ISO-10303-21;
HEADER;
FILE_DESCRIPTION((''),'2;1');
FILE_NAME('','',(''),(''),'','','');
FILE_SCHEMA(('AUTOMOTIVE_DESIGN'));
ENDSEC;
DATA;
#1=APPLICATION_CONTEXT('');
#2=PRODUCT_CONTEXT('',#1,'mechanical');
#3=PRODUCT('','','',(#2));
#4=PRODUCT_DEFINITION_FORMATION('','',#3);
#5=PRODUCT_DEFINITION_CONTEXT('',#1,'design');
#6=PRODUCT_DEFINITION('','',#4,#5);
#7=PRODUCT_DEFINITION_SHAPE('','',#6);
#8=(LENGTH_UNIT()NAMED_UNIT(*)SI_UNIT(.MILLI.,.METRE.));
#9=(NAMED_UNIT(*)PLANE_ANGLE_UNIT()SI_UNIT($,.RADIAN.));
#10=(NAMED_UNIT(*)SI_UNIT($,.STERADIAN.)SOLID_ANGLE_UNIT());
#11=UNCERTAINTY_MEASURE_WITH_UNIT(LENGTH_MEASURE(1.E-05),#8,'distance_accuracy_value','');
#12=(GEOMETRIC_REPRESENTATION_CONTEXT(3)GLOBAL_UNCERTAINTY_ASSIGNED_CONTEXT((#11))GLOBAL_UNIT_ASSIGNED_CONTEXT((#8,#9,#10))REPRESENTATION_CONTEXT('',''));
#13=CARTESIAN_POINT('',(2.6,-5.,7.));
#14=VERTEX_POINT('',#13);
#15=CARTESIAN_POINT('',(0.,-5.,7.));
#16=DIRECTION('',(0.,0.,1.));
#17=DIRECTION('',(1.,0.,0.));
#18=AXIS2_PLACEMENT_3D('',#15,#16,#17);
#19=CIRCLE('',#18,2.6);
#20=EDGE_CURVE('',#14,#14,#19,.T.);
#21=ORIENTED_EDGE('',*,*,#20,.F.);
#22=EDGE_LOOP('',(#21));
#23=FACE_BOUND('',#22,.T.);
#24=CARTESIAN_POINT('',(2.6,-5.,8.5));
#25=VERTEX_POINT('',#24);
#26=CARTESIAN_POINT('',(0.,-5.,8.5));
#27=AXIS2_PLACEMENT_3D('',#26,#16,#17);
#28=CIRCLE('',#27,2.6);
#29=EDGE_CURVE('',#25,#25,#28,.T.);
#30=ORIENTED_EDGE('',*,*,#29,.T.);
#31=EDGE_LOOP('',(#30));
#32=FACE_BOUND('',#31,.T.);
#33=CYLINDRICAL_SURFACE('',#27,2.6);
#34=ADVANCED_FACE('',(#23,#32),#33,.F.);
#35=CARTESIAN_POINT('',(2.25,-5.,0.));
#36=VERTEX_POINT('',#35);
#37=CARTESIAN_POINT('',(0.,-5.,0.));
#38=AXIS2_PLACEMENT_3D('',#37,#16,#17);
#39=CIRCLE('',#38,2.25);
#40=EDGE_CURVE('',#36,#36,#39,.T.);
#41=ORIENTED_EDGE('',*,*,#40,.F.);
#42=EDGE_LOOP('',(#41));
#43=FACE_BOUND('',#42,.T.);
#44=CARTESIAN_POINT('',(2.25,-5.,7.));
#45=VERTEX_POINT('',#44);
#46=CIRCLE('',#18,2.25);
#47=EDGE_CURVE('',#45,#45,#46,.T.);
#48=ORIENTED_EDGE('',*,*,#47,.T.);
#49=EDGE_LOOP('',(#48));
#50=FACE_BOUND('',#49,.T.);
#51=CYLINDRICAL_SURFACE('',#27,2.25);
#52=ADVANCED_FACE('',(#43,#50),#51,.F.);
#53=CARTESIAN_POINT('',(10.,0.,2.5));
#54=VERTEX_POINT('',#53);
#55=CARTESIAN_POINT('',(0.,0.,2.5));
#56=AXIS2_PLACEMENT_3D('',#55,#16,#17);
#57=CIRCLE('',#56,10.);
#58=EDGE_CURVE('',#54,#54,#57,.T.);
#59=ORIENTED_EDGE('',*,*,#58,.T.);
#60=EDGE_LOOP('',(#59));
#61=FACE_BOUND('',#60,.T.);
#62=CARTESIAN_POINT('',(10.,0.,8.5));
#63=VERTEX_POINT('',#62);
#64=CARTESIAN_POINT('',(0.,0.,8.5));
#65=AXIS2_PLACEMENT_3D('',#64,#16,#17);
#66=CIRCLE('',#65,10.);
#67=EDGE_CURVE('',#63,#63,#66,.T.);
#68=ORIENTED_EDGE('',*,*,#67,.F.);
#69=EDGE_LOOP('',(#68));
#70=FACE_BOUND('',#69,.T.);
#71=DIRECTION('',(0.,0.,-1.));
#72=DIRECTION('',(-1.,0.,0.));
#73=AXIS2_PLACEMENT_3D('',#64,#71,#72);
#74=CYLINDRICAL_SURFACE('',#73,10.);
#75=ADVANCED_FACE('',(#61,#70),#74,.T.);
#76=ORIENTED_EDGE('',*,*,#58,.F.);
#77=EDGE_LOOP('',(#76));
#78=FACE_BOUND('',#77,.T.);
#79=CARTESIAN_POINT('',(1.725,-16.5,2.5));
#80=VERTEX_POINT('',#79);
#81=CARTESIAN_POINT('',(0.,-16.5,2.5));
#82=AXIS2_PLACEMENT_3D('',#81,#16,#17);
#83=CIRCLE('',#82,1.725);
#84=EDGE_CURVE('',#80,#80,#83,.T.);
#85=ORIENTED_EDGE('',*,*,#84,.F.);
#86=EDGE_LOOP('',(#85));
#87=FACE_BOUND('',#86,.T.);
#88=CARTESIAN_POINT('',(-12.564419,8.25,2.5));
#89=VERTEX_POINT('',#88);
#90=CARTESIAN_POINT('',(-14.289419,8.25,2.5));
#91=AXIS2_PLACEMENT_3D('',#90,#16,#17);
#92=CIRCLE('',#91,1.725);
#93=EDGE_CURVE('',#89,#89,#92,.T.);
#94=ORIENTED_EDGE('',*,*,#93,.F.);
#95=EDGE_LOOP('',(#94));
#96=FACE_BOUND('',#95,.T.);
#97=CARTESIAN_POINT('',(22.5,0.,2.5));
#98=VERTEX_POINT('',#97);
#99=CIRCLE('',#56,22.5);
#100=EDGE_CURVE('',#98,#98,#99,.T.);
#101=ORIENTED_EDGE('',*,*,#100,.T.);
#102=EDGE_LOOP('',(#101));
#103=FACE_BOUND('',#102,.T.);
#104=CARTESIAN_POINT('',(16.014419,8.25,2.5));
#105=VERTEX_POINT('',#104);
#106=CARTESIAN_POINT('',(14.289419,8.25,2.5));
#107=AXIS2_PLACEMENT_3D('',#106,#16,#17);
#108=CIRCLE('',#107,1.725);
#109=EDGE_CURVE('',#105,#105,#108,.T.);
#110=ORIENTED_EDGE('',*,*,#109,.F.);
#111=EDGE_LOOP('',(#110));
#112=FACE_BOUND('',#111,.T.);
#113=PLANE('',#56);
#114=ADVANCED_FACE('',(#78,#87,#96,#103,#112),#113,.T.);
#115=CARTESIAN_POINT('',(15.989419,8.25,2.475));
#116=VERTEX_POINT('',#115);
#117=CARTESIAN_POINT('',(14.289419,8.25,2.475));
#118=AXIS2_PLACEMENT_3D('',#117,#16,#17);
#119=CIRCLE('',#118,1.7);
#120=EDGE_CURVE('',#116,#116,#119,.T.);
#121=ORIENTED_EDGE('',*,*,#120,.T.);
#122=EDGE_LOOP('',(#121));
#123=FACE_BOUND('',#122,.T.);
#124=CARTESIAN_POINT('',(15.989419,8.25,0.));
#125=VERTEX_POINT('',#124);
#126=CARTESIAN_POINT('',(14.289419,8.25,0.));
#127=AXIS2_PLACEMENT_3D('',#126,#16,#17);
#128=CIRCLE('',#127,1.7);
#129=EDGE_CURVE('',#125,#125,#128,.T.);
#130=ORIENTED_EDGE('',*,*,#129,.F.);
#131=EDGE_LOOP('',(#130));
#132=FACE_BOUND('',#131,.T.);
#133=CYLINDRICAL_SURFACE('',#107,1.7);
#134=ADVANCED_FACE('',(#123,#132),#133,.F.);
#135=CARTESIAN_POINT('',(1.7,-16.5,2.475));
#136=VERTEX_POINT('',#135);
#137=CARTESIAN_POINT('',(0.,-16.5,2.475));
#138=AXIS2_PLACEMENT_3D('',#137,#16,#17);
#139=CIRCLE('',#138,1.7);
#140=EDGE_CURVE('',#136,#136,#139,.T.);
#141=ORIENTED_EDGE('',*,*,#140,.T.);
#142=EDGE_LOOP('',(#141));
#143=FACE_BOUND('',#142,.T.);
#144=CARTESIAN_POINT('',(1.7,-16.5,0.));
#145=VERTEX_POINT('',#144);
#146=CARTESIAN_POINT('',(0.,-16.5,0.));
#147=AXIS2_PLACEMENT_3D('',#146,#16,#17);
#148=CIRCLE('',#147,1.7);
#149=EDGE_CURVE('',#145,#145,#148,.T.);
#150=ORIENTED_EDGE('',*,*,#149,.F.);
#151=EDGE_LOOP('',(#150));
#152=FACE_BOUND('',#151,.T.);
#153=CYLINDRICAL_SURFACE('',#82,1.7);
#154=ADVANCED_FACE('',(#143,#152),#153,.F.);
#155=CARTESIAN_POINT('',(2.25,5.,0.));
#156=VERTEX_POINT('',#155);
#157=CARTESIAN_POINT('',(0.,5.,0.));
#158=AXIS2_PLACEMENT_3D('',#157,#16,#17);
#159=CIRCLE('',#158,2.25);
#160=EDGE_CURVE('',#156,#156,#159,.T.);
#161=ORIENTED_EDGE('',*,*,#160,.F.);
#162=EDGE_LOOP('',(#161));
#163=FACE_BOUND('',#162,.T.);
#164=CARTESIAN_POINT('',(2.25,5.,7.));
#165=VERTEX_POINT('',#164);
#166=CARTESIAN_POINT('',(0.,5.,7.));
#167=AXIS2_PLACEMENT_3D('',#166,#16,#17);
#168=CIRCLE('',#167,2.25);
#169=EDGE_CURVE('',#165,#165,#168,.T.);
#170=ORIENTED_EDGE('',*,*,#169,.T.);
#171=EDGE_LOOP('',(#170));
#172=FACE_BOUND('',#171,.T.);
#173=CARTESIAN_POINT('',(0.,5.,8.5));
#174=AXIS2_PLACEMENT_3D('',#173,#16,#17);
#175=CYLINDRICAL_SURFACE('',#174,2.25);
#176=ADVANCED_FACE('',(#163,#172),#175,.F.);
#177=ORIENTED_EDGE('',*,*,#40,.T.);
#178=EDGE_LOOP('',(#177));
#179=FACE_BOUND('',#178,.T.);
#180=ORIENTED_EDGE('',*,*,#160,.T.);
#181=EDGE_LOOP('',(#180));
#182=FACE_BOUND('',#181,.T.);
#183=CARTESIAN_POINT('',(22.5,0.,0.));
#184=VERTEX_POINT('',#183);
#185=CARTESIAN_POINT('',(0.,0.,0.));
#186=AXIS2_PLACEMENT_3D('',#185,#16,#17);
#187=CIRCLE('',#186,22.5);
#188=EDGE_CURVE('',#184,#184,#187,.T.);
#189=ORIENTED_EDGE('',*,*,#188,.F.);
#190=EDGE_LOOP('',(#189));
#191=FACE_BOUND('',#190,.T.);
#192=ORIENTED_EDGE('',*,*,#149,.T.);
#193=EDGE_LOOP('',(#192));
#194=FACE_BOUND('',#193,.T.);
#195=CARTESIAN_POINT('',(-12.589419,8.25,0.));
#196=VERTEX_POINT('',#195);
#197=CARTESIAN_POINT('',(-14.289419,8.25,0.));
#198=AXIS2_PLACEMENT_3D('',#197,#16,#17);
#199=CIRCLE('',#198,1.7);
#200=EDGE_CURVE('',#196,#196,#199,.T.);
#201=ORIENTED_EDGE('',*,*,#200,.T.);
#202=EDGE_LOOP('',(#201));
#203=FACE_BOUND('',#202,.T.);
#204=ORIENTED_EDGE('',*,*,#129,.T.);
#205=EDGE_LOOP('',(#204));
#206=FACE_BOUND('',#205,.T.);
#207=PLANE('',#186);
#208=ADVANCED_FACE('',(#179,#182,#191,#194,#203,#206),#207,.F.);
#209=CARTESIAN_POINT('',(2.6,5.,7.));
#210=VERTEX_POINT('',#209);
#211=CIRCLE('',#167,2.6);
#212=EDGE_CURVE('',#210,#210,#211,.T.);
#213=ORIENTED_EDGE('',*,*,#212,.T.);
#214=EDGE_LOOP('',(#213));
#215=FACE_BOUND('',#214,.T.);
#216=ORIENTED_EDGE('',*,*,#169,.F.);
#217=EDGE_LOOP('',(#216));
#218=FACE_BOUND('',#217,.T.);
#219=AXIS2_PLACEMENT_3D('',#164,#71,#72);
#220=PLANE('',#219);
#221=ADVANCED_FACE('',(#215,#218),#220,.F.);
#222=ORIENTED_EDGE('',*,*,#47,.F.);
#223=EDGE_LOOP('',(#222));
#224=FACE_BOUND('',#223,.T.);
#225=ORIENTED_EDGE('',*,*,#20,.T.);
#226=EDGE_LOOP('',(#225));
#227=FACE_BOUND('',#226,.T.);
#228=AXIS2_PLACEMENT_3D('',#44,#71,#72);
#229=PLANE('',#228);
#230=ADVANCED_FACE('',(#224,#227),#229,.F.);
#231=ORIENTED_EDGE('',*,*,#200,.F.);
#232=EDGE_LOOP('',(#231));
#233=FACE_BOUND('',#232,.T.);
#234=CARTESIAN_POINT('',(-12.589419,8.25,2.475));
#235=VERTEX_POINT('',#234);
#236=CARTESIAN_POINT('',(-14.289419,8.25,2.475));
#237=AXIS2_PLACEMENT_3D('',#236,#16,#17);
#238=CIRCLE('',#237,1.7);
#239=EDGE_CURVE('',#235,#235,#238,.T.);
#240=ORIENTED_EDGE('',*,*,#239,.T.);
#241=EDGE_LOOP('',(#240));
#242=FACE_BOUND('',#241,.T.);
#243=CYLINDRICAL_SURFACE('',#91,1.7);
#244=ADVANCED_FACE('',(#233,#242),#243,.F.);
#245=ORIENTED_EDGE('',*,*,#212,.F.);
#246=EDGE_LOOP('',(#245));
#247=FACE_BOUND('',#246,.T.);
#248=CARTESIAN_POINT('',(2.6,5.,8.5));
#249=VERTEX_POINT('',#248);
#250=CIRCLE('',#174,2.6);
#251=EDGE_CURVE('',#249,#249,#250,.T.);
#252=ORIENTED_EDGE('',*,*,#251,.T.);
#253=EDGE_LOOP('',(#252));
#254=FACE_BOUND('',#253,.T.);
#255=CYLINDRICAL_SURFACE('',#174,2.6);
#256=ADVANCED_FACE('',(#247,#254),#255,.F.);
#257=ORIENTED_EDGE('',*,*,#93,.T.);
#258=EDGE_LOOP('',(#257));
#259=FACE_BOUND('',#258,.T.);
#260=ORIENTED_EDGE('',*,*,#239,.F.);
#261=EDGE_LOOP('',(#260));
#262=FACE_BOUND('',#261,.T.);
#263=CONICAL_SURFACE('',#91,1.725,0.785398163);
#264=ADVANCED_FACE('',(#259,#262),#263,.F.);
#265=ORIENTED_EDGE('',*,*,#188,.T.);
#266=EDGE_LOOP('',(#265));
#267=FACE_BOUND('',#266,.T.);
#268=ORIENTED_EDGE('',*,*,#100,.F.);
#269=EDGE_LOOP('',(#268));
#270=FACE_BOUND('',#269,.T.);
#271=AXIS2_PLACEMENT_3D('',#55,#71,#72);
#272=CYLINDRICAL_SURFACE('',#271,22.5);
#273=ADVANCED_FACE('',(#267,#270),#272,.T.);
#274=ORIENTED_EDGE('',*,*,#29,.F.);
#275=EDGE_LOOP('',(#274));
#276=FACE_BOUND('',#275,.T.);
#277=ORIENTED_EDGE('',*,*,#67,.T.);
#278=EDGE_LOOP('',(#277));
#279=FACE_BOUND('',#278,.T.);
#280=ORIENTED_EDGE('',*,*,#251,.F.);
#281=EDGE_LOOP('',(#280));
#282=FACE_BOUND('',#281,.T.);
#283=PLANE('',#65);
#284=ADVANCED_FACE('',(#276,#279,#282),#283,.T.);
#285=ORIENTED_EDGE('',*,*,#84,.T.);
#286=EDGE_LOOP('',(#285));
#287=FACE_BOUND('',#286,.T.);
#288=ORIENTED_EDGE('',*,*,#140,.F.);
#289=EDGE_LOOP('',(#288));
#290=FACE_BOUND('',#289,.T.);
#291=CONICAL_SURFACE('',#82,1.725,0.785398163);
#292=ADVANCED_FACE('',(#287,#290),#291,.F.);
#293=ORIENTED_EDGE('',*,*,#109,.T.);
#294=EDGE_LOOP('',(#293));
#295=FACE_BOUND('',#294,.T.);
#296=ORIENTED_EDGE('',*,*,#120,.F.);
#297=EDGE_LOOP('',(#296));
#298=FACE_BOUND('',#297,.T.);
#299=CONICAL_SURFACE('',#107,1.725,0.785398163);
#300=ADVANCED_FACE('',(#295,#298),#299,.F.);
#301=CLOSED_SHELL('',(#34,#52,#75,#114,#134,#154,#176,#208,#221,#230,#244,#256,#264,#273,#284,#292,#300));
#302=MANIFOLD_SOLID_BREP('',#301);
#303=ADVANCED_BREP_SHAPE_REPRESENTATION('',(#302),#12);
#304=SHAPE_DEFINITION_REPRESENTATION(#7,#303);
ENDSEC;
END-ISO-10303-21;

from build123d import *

# Parameters (mm, degrees)
SKETCH1_R                      = 22.5
BOSS_EXTRUDE1_DEPTH            = 2.5
M3_CLEARANCE_HOLE1_D           = 3.4
M3_CLEARANCE_HOLE1_CSINK_D     = 3.45
M3_CLEARANCE_HOLE1_CSINK_ANGLE = 90
SKETCH6_R                      = 10
BOSS_EXTRUDE2_DEPTH            = 6
HOLE2_D                        = 4.5
HOLE2_CBORE_D                  = 5.2
HOLE2_CBORE_DEPTH              = 1.5


with BuildPart() as part:
    # Sketch1 → Boss-Extrude1 (new body)
    with BuildSketch(Plane.XY):
        Circle(SKETCH1_R)
    extrude(amount=BOSS_EXTRUDE1_DEPTH)

    # M3 Clearance Hole1 (through all)
    with Locations(Plane.XY.offset(2.5)):
        with Locations((-14.289419162, 8.25), (14.289419162, 8.25), (0, -16.5)):
            CounterSinkHole(M3_CLEARANCE_HOLE1_D / 2, M3_CLEARANCE_HOLE1_CSINK_D / 2, counter_sink_angle=M3_CLEARANCE_HOLE1_CSINK_ANGLE)

    # Sketch6 → Boss-Extrude2 (add)
    with BuildSketch(Plane.XY.offset(2.5)):
        Circle(SKETCH6_R)
    extrude(amount=BOSS_EXTRUDE2_DEPTH)

    # Hole2 (through all)
    with Locations(Plane.XY.offset(8.5)):
        with Locations((0, 5), (0, -5)):
            CounterBoreHole(HOLE2_D / 2, HOLE2_CBORE_D / 2, HOLE2_CBORE_DEPTH)


solid = part.part
